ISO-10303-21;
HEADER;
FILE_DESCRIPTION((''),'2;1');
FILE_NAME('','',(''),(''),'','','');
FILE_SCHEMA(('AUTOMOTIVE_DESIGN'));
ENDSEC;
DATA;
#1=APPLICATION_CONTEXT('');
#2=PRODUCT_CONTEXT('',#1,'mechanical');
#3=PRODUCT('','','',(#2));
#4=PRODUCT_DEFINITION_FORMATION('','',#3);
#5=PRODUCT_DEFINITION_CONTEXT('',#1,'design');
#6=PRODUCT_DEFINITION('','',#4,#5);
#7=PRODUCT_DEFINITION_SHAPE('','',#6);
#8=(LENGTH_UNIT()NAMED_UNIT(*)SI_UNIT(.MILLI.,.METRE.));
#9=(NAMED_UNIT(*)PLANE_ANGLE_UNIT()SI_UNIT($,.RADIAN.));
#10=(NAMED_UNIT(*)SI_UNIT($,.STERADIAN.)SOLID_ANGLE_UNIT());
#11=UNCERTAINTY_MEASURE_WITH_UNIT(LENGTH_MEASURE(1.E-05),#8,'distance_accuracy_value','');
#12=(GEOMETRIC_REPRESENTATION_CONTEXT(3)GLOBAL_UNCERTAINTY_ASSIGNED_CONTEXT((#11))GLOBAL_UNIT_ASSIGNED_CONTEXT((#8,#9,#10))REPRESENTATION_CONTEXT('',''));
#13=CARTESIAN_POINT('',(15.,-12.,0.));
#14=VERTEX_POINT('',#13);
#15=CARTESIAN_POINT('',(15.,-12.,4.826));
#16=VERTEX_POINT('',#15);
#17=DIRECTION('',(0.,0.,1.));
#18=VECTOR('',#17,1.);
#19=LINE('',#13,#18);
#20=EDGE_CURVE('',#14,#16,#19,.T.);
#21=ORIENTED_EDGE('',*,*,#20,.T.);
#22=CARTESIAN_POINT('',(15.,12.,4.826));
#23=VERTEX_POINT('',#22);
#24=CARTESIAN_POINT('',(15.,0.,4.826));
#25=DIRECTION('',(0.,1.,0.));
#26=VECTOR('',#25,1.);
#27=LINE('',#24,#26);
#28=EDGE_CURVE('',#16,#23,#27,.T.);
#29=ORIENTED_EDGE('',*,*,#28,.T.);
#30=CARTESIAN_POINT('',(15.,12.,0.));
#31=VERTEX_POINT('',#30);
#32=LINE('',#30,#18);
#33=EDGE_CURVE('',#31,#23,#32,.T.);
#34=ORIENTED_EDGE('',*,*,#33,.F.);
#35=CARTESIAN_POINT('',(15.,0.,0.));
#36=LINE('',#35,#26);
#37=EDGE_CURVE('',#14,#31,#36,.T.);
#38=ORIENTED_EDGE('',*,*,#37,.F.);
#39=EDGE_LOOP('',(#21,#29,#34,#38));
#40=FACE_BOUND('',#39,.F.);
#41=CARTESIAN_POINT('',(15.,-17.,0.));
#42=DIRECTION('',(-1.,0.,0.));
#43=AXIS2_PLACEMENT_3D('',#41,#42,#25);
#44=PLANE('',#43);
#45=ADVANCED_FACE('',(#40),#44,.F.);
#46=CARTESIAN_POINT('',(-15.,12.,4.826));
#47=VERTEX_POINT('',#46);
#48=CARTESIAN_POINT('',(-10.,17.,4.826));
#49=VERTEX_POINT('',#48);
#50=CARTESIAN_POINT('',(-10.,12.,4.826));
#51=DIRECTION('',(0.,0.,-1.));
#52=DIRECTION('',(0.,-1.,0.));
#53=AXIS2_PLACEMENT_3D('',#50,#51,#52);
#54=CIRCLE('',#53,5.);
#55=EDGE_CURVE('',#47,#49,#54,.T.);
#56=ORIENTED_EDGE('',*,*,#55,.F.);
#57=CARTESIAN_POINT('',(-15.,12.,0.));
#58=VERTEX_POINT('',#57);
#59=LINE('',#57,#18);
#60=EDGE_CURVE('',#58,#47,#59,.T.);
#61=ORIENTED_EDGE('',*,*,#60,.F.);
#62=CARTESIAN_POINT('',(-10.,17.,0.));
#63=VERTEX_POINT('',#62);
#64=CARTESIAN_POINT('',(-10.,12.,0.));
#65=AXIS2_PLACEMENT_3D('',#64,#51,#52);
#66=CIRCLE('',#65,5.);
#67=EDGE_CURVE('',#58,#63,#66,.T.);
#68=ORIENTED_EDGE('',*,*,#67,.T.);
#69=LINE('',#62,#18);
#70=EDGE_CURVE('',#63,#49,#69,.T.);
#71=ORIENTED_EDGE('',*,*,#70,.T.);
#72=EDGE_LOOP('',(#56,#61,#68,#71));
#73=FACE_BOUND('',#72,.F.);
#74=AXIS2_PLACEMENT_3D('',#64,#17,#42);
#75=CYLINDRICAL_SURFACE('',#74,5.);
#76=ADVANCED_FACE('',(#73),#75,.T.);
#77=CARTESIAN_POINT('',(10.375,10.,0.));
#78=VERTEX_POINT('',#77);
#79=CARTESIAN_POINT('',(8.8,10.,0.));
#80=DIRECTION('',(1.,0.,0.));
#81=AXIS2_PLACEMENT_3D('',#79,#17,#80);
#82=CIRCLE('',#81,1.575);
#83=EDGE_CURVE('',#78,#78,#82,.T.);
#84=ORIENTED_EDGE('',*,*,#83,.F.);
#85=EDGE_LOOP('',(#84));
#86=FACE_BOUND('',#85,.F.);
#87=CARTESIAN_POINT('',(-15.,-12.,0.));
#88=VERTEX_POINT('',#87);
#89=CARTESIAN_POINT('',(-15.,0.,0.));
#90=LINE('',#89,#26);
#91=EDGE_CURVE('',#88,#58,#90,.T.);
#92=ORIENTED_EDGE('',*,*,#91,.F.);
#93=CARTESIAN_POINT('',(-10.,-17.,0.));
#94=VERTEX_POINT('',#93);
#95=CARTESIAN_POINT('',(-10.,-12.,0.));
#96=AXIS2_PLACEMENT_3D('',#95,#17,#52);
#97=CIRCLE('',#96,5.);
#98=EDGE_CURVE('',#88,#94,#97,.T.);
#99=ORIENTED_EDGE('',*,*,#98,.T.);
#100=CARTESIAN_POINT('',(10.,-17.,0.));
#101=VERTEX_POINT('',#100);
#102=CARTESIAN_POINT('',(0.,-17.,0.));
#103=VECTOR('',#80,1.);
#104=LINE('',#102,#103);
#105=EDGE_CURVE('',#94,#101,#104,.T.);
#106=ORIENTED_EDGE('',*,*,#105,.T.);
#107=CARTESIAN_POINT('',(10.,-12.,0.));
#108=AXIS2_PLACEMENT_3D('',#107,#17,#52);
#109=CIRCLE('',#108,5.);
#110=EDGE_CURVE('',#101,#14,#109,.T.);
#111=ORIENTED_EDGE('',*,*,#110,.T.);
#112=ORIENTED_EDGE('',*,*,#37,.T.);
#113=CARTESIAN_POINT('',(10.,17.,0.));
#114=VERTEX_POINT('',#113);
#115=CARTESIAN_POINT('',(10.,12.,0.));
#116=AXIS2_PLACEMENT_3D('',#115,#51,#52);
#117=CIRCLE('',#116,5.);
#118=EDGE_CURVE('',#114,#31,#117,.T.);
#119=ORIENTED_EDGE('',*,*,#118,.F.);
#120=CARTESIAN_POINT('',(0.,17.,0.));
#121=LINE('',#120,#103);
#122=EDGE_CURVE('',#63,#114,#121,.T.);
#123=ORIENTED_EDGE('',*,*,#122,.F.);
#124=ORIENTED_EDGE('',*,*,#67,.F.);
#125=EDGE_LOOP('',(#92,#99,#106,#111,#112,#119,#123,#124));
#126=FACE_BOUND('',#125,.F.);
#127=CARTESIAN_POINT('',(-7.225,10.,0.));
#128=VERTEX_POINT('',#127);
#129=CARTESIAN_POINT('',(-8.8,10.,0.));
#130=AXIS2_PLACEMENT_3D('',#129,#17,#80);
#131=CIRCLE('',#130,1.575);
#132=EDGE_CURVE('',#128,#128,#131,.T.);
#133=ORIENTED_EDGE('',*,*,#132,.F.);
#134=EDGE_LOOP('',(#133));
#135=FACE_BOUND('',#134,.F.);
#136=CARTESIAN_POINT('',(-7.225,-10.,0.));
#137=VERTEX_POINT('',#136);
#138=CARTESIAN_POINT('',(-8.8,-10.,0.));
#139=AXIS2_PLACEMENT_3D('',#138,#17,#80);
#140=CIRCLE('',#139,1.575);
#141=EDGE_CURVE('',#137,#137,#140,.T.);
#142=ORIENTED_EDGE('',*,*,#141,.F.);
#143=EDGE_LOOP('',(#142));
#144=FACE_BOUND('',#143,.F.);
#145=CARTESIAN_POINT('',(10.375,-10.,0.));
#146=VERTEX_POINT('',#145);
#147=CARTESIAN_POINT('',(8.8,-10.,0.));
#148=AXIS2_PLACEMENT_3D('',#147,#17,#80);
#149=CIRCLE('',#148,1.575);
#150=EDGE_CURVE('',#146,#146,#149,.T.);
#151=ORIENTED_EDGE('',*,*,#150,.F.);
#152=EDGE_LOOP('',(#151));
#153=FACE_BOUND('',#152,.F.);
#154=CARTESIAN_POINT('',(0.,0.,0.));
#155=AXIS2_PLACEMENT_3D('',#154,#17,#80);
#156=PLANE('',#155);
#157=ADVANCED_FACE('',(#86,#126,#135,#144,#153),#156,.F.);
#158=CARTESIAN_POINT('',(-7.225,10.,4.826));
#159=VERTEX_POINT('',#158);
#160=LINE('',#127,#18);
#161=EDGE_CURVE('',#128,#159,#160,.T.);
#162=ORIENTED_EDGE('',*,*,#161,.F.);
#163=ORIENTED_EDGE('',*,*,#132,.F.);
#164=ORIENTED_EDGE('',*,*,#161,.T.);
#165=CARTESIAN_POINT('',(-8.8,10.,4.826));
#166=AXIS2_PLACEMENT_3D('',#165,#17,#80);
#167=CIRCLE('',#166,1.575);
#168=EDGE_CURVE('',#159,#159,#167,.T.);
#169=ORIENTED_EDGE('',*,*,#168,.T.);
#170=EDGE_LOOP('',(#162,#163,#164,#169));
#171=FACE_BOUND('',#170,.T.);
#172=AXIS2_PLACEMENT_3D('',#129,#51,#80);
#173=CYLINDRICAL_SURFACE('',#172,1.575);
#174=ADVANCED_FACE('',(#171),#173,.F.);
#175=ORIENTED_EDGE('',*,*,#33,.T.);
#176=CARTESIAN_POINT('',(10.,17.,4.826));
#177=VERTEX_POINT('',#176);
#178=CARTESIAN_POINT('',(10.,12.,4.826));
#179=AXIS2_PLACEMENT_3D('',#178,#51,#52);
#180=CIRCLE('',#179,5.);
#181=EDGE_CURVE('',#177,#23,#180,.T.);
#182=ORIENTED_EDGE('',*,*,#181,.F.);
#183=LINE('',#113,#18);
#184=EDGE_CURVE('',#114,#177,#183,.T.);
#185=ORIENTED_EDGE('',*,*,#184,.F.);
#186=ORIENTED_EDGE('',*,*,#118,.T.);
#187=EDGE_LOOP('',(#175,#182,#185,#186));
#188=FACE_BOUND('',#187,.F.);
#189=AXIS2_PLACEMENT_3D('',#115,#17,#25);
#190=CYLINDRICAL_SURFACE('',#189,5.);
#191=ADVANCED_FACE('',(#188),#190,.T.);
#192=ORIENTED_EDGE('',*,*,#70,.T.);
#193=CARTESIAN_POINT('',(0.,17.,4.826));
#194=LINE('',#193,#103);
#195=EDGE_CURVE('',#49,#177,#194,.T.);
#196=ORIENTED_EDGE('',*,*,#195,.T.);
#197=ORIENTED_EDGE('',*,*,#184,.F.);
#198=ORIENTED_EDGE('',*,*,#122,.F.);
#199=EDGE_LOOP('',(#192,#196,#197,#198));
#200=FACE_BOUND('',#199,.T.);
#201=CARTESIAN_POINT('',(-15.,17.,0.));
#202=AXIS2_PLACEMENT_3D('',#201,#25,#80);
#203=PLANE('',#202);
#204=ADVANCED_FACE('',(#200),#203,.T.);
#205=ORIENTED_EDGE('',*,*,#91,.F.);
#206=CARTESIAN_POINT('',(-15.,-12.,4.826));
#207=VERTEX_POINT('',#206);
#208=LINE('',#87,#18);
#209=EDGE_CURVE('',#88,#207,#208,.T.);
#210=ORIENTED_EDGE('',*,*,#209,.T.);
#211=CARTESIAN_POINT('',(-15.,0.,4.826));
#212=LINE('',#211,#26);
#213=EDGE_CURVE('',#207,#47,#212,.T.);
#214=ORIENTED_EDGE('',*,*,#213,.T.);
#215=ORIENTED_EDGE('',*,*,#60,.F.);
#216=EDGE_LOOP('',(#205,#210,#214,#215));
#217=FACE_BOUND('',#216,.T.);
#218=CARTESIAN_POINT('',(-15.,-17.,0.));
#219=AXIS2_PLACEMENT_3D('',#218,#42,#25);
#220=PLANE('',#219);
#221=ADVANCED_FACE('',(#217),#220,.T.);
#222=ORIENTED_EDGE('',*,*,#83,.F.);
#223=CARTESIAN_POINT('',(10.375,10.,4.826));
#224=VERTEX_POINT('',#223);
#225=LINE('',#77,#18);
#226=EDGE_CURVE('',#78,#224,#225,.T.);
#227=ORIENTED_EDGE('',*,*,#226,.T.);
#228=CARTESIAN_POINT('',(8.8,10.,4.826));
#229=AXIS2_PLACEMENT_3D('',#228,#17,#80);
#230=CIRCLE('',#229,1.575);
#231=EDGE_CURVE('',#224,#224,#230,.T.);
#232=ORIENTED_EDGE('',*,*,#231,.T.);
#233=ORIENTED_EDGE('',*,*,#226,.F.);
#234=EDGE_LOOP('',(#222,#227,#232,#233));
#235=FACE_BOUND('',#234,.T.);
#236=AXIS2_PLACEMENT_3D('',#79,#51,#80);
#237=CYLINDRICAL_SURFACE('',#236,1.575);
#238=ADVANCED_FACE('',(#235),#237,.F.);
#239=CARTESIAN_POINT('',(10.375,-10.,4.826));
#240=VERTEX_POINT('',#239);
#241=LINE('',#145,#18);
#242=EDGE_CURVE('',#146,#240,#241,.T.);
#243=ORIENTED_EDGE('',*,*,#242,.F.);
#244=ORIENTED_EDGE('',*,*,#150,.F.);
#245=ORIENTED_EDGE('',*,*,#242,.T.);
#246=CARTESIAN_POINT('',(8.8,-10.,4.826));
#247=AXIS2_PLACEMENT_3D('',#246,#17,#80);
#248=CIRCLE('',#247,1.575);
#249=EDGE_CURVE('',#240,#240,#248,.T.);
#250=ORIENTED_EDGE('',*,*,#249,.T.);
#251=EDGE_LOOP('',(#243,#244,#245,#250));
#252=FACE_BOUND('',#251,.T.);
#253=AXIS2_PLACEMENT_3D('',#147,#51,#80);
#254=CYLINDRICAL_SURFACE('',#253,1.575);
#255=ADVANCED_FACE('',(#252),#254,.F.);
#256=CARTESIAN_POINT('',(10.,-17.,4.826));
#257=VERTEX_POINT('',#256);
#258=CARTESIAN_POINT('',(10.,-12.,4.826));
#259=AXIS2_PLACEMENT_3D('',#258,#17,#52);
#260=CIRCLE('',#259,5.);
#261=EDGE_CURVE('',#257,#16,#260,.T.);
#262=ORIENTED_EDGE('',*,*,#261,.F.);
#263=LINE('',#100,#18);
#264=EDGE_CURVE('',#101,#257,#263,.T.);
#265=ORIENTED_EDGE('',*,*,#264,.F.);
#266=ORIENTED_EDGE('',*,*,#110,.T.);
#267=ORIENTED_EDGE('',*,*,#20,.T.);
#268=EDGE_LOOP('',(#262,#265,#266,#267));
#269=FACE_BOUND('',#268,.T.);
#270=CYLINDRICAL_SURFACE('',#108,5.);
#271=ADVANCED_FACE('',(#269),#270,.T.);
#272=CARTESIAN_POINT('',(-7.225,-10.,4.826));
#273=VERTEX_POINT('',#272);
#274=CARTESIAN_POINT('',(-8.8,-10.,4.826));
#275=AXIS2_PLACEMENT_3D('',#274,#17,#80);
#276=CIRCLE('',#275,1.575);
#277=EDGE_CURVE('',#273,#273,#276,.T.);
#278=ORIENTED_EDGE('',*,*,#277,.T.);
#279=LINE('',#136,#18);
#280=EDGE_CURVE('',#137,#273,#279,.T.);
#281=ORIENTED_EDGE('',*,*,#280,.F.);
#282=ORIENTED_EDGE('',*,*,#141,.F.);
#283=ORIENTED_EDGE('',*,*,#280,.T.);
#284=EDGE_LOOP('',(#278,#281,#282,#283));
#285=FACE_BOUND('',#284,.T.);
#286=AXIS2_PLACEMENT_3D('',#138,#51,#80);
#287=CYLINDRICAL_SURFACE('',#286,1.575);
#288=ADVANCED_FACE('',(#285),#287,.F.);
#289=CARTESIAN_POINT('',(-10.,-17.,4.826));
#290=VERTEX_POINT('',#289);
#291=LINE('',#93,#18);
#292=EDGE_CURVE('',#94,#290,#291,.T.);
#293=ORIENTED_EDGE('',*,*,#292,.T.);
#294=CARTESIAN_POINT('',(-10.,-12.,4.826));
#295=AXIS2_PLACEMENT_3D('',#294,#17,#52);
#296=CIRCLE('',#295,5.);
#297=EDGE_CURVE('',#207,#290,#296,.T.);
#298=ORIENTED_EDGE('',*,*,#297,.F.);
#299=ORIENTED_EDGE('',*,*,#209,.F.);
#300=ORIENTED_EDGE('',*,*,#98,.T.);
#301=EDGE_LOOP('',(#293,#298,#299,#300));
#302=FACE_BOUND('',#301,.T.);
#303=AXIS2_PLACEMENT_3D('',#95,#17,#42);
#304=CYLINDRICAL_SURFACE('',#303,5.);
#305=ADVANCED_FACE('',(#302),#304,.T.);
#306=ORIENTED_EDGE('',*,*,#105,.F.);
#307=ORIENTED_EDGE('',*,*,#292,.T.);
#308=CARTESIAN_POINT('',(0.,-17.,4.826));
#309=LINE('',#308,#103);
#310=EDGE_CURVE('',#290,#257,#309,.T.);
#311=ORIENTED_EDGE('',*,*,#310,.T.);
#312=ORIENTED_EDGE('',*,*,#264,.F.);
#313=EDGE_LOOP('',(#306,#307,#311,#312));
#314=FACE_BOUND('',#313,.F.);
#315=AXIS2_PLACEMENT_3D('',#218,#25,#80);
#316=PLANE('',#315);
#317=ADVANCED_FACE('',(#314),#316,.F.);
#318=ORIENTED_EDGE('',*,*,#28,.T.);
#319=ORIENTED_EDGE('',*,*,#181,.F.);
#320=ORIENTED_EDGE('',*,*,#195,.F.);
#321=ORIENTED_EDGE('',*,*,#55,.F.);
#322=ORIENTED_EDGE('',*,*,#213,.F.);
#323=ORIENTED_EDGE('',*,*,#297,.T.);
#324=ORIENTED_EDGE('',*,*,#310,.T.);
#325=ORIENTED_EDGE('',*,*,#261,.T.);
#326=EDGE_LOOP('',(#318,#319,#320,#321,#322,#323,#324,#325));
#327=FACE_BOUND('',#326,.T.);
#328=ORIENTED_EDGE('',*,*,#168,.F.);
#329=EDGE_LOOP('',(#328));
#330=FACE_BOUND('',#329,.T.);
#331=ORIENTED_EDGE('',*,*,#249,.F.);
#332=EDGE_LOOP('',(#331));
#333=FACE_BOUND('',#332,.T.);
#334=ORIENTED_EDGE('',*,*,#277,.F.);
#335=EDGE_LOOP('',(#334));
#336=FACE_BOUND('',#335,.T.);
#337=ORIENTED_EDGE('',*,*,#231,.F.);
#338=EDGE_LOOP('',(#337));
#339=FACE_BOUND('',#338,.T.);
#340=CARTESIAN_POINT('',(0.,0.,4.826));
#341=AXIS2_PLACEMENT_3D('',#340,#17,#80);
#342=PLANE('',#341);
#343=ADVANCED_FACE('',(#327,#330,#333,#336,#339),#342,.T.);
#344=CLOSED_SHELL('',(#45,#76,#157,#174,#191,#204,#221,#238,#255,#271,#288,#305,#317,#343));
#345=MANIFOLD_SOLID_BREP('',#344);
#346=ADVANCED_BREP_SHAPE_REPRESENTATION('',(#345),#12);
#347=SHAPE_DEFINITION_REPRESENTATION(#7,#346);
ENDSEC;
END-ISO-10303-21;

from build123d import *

# Parameters (mm, degrees)
F0_W     = 30
F0_H     = 34
F0_R     = 1.575
F1_DEPTH = 4.826
F2_R     = 5


with BuildPart() as f1:
    # F0 (on Top) → F1 (new body)
    with BuildSketch(Plane.XY):
        Rectangle(F0_W, F0_H)
        with Locations((-8.8, -10)):
            Circle(F0_R, mode=Mode.SUBTRACT)
        with Locations((8.8, -10)):
            Circle(F0_R, mode=Mode.SUBTRACT)
        with Locations((-8.8, 10)):
            Circle(F0_R, mode=Mode.SUBTRACT)
        with Locations((8.8, 10)):
            Circle(F0_R, mode=Mode.SUBTRACT)
    extrude(amount=F1_DEPTH)

    # F2
    f2_edges = [f1.edges().sort_by_distance(p)[0] for p in [
        (-15, -17, 2.413),
        (15, -17, 2.413),
        (-15, 17, 2.413),
        (15, 17, 2.413),
    ]]
    fillet(f2_edges, radius=F2_R)


solid = f1.part
